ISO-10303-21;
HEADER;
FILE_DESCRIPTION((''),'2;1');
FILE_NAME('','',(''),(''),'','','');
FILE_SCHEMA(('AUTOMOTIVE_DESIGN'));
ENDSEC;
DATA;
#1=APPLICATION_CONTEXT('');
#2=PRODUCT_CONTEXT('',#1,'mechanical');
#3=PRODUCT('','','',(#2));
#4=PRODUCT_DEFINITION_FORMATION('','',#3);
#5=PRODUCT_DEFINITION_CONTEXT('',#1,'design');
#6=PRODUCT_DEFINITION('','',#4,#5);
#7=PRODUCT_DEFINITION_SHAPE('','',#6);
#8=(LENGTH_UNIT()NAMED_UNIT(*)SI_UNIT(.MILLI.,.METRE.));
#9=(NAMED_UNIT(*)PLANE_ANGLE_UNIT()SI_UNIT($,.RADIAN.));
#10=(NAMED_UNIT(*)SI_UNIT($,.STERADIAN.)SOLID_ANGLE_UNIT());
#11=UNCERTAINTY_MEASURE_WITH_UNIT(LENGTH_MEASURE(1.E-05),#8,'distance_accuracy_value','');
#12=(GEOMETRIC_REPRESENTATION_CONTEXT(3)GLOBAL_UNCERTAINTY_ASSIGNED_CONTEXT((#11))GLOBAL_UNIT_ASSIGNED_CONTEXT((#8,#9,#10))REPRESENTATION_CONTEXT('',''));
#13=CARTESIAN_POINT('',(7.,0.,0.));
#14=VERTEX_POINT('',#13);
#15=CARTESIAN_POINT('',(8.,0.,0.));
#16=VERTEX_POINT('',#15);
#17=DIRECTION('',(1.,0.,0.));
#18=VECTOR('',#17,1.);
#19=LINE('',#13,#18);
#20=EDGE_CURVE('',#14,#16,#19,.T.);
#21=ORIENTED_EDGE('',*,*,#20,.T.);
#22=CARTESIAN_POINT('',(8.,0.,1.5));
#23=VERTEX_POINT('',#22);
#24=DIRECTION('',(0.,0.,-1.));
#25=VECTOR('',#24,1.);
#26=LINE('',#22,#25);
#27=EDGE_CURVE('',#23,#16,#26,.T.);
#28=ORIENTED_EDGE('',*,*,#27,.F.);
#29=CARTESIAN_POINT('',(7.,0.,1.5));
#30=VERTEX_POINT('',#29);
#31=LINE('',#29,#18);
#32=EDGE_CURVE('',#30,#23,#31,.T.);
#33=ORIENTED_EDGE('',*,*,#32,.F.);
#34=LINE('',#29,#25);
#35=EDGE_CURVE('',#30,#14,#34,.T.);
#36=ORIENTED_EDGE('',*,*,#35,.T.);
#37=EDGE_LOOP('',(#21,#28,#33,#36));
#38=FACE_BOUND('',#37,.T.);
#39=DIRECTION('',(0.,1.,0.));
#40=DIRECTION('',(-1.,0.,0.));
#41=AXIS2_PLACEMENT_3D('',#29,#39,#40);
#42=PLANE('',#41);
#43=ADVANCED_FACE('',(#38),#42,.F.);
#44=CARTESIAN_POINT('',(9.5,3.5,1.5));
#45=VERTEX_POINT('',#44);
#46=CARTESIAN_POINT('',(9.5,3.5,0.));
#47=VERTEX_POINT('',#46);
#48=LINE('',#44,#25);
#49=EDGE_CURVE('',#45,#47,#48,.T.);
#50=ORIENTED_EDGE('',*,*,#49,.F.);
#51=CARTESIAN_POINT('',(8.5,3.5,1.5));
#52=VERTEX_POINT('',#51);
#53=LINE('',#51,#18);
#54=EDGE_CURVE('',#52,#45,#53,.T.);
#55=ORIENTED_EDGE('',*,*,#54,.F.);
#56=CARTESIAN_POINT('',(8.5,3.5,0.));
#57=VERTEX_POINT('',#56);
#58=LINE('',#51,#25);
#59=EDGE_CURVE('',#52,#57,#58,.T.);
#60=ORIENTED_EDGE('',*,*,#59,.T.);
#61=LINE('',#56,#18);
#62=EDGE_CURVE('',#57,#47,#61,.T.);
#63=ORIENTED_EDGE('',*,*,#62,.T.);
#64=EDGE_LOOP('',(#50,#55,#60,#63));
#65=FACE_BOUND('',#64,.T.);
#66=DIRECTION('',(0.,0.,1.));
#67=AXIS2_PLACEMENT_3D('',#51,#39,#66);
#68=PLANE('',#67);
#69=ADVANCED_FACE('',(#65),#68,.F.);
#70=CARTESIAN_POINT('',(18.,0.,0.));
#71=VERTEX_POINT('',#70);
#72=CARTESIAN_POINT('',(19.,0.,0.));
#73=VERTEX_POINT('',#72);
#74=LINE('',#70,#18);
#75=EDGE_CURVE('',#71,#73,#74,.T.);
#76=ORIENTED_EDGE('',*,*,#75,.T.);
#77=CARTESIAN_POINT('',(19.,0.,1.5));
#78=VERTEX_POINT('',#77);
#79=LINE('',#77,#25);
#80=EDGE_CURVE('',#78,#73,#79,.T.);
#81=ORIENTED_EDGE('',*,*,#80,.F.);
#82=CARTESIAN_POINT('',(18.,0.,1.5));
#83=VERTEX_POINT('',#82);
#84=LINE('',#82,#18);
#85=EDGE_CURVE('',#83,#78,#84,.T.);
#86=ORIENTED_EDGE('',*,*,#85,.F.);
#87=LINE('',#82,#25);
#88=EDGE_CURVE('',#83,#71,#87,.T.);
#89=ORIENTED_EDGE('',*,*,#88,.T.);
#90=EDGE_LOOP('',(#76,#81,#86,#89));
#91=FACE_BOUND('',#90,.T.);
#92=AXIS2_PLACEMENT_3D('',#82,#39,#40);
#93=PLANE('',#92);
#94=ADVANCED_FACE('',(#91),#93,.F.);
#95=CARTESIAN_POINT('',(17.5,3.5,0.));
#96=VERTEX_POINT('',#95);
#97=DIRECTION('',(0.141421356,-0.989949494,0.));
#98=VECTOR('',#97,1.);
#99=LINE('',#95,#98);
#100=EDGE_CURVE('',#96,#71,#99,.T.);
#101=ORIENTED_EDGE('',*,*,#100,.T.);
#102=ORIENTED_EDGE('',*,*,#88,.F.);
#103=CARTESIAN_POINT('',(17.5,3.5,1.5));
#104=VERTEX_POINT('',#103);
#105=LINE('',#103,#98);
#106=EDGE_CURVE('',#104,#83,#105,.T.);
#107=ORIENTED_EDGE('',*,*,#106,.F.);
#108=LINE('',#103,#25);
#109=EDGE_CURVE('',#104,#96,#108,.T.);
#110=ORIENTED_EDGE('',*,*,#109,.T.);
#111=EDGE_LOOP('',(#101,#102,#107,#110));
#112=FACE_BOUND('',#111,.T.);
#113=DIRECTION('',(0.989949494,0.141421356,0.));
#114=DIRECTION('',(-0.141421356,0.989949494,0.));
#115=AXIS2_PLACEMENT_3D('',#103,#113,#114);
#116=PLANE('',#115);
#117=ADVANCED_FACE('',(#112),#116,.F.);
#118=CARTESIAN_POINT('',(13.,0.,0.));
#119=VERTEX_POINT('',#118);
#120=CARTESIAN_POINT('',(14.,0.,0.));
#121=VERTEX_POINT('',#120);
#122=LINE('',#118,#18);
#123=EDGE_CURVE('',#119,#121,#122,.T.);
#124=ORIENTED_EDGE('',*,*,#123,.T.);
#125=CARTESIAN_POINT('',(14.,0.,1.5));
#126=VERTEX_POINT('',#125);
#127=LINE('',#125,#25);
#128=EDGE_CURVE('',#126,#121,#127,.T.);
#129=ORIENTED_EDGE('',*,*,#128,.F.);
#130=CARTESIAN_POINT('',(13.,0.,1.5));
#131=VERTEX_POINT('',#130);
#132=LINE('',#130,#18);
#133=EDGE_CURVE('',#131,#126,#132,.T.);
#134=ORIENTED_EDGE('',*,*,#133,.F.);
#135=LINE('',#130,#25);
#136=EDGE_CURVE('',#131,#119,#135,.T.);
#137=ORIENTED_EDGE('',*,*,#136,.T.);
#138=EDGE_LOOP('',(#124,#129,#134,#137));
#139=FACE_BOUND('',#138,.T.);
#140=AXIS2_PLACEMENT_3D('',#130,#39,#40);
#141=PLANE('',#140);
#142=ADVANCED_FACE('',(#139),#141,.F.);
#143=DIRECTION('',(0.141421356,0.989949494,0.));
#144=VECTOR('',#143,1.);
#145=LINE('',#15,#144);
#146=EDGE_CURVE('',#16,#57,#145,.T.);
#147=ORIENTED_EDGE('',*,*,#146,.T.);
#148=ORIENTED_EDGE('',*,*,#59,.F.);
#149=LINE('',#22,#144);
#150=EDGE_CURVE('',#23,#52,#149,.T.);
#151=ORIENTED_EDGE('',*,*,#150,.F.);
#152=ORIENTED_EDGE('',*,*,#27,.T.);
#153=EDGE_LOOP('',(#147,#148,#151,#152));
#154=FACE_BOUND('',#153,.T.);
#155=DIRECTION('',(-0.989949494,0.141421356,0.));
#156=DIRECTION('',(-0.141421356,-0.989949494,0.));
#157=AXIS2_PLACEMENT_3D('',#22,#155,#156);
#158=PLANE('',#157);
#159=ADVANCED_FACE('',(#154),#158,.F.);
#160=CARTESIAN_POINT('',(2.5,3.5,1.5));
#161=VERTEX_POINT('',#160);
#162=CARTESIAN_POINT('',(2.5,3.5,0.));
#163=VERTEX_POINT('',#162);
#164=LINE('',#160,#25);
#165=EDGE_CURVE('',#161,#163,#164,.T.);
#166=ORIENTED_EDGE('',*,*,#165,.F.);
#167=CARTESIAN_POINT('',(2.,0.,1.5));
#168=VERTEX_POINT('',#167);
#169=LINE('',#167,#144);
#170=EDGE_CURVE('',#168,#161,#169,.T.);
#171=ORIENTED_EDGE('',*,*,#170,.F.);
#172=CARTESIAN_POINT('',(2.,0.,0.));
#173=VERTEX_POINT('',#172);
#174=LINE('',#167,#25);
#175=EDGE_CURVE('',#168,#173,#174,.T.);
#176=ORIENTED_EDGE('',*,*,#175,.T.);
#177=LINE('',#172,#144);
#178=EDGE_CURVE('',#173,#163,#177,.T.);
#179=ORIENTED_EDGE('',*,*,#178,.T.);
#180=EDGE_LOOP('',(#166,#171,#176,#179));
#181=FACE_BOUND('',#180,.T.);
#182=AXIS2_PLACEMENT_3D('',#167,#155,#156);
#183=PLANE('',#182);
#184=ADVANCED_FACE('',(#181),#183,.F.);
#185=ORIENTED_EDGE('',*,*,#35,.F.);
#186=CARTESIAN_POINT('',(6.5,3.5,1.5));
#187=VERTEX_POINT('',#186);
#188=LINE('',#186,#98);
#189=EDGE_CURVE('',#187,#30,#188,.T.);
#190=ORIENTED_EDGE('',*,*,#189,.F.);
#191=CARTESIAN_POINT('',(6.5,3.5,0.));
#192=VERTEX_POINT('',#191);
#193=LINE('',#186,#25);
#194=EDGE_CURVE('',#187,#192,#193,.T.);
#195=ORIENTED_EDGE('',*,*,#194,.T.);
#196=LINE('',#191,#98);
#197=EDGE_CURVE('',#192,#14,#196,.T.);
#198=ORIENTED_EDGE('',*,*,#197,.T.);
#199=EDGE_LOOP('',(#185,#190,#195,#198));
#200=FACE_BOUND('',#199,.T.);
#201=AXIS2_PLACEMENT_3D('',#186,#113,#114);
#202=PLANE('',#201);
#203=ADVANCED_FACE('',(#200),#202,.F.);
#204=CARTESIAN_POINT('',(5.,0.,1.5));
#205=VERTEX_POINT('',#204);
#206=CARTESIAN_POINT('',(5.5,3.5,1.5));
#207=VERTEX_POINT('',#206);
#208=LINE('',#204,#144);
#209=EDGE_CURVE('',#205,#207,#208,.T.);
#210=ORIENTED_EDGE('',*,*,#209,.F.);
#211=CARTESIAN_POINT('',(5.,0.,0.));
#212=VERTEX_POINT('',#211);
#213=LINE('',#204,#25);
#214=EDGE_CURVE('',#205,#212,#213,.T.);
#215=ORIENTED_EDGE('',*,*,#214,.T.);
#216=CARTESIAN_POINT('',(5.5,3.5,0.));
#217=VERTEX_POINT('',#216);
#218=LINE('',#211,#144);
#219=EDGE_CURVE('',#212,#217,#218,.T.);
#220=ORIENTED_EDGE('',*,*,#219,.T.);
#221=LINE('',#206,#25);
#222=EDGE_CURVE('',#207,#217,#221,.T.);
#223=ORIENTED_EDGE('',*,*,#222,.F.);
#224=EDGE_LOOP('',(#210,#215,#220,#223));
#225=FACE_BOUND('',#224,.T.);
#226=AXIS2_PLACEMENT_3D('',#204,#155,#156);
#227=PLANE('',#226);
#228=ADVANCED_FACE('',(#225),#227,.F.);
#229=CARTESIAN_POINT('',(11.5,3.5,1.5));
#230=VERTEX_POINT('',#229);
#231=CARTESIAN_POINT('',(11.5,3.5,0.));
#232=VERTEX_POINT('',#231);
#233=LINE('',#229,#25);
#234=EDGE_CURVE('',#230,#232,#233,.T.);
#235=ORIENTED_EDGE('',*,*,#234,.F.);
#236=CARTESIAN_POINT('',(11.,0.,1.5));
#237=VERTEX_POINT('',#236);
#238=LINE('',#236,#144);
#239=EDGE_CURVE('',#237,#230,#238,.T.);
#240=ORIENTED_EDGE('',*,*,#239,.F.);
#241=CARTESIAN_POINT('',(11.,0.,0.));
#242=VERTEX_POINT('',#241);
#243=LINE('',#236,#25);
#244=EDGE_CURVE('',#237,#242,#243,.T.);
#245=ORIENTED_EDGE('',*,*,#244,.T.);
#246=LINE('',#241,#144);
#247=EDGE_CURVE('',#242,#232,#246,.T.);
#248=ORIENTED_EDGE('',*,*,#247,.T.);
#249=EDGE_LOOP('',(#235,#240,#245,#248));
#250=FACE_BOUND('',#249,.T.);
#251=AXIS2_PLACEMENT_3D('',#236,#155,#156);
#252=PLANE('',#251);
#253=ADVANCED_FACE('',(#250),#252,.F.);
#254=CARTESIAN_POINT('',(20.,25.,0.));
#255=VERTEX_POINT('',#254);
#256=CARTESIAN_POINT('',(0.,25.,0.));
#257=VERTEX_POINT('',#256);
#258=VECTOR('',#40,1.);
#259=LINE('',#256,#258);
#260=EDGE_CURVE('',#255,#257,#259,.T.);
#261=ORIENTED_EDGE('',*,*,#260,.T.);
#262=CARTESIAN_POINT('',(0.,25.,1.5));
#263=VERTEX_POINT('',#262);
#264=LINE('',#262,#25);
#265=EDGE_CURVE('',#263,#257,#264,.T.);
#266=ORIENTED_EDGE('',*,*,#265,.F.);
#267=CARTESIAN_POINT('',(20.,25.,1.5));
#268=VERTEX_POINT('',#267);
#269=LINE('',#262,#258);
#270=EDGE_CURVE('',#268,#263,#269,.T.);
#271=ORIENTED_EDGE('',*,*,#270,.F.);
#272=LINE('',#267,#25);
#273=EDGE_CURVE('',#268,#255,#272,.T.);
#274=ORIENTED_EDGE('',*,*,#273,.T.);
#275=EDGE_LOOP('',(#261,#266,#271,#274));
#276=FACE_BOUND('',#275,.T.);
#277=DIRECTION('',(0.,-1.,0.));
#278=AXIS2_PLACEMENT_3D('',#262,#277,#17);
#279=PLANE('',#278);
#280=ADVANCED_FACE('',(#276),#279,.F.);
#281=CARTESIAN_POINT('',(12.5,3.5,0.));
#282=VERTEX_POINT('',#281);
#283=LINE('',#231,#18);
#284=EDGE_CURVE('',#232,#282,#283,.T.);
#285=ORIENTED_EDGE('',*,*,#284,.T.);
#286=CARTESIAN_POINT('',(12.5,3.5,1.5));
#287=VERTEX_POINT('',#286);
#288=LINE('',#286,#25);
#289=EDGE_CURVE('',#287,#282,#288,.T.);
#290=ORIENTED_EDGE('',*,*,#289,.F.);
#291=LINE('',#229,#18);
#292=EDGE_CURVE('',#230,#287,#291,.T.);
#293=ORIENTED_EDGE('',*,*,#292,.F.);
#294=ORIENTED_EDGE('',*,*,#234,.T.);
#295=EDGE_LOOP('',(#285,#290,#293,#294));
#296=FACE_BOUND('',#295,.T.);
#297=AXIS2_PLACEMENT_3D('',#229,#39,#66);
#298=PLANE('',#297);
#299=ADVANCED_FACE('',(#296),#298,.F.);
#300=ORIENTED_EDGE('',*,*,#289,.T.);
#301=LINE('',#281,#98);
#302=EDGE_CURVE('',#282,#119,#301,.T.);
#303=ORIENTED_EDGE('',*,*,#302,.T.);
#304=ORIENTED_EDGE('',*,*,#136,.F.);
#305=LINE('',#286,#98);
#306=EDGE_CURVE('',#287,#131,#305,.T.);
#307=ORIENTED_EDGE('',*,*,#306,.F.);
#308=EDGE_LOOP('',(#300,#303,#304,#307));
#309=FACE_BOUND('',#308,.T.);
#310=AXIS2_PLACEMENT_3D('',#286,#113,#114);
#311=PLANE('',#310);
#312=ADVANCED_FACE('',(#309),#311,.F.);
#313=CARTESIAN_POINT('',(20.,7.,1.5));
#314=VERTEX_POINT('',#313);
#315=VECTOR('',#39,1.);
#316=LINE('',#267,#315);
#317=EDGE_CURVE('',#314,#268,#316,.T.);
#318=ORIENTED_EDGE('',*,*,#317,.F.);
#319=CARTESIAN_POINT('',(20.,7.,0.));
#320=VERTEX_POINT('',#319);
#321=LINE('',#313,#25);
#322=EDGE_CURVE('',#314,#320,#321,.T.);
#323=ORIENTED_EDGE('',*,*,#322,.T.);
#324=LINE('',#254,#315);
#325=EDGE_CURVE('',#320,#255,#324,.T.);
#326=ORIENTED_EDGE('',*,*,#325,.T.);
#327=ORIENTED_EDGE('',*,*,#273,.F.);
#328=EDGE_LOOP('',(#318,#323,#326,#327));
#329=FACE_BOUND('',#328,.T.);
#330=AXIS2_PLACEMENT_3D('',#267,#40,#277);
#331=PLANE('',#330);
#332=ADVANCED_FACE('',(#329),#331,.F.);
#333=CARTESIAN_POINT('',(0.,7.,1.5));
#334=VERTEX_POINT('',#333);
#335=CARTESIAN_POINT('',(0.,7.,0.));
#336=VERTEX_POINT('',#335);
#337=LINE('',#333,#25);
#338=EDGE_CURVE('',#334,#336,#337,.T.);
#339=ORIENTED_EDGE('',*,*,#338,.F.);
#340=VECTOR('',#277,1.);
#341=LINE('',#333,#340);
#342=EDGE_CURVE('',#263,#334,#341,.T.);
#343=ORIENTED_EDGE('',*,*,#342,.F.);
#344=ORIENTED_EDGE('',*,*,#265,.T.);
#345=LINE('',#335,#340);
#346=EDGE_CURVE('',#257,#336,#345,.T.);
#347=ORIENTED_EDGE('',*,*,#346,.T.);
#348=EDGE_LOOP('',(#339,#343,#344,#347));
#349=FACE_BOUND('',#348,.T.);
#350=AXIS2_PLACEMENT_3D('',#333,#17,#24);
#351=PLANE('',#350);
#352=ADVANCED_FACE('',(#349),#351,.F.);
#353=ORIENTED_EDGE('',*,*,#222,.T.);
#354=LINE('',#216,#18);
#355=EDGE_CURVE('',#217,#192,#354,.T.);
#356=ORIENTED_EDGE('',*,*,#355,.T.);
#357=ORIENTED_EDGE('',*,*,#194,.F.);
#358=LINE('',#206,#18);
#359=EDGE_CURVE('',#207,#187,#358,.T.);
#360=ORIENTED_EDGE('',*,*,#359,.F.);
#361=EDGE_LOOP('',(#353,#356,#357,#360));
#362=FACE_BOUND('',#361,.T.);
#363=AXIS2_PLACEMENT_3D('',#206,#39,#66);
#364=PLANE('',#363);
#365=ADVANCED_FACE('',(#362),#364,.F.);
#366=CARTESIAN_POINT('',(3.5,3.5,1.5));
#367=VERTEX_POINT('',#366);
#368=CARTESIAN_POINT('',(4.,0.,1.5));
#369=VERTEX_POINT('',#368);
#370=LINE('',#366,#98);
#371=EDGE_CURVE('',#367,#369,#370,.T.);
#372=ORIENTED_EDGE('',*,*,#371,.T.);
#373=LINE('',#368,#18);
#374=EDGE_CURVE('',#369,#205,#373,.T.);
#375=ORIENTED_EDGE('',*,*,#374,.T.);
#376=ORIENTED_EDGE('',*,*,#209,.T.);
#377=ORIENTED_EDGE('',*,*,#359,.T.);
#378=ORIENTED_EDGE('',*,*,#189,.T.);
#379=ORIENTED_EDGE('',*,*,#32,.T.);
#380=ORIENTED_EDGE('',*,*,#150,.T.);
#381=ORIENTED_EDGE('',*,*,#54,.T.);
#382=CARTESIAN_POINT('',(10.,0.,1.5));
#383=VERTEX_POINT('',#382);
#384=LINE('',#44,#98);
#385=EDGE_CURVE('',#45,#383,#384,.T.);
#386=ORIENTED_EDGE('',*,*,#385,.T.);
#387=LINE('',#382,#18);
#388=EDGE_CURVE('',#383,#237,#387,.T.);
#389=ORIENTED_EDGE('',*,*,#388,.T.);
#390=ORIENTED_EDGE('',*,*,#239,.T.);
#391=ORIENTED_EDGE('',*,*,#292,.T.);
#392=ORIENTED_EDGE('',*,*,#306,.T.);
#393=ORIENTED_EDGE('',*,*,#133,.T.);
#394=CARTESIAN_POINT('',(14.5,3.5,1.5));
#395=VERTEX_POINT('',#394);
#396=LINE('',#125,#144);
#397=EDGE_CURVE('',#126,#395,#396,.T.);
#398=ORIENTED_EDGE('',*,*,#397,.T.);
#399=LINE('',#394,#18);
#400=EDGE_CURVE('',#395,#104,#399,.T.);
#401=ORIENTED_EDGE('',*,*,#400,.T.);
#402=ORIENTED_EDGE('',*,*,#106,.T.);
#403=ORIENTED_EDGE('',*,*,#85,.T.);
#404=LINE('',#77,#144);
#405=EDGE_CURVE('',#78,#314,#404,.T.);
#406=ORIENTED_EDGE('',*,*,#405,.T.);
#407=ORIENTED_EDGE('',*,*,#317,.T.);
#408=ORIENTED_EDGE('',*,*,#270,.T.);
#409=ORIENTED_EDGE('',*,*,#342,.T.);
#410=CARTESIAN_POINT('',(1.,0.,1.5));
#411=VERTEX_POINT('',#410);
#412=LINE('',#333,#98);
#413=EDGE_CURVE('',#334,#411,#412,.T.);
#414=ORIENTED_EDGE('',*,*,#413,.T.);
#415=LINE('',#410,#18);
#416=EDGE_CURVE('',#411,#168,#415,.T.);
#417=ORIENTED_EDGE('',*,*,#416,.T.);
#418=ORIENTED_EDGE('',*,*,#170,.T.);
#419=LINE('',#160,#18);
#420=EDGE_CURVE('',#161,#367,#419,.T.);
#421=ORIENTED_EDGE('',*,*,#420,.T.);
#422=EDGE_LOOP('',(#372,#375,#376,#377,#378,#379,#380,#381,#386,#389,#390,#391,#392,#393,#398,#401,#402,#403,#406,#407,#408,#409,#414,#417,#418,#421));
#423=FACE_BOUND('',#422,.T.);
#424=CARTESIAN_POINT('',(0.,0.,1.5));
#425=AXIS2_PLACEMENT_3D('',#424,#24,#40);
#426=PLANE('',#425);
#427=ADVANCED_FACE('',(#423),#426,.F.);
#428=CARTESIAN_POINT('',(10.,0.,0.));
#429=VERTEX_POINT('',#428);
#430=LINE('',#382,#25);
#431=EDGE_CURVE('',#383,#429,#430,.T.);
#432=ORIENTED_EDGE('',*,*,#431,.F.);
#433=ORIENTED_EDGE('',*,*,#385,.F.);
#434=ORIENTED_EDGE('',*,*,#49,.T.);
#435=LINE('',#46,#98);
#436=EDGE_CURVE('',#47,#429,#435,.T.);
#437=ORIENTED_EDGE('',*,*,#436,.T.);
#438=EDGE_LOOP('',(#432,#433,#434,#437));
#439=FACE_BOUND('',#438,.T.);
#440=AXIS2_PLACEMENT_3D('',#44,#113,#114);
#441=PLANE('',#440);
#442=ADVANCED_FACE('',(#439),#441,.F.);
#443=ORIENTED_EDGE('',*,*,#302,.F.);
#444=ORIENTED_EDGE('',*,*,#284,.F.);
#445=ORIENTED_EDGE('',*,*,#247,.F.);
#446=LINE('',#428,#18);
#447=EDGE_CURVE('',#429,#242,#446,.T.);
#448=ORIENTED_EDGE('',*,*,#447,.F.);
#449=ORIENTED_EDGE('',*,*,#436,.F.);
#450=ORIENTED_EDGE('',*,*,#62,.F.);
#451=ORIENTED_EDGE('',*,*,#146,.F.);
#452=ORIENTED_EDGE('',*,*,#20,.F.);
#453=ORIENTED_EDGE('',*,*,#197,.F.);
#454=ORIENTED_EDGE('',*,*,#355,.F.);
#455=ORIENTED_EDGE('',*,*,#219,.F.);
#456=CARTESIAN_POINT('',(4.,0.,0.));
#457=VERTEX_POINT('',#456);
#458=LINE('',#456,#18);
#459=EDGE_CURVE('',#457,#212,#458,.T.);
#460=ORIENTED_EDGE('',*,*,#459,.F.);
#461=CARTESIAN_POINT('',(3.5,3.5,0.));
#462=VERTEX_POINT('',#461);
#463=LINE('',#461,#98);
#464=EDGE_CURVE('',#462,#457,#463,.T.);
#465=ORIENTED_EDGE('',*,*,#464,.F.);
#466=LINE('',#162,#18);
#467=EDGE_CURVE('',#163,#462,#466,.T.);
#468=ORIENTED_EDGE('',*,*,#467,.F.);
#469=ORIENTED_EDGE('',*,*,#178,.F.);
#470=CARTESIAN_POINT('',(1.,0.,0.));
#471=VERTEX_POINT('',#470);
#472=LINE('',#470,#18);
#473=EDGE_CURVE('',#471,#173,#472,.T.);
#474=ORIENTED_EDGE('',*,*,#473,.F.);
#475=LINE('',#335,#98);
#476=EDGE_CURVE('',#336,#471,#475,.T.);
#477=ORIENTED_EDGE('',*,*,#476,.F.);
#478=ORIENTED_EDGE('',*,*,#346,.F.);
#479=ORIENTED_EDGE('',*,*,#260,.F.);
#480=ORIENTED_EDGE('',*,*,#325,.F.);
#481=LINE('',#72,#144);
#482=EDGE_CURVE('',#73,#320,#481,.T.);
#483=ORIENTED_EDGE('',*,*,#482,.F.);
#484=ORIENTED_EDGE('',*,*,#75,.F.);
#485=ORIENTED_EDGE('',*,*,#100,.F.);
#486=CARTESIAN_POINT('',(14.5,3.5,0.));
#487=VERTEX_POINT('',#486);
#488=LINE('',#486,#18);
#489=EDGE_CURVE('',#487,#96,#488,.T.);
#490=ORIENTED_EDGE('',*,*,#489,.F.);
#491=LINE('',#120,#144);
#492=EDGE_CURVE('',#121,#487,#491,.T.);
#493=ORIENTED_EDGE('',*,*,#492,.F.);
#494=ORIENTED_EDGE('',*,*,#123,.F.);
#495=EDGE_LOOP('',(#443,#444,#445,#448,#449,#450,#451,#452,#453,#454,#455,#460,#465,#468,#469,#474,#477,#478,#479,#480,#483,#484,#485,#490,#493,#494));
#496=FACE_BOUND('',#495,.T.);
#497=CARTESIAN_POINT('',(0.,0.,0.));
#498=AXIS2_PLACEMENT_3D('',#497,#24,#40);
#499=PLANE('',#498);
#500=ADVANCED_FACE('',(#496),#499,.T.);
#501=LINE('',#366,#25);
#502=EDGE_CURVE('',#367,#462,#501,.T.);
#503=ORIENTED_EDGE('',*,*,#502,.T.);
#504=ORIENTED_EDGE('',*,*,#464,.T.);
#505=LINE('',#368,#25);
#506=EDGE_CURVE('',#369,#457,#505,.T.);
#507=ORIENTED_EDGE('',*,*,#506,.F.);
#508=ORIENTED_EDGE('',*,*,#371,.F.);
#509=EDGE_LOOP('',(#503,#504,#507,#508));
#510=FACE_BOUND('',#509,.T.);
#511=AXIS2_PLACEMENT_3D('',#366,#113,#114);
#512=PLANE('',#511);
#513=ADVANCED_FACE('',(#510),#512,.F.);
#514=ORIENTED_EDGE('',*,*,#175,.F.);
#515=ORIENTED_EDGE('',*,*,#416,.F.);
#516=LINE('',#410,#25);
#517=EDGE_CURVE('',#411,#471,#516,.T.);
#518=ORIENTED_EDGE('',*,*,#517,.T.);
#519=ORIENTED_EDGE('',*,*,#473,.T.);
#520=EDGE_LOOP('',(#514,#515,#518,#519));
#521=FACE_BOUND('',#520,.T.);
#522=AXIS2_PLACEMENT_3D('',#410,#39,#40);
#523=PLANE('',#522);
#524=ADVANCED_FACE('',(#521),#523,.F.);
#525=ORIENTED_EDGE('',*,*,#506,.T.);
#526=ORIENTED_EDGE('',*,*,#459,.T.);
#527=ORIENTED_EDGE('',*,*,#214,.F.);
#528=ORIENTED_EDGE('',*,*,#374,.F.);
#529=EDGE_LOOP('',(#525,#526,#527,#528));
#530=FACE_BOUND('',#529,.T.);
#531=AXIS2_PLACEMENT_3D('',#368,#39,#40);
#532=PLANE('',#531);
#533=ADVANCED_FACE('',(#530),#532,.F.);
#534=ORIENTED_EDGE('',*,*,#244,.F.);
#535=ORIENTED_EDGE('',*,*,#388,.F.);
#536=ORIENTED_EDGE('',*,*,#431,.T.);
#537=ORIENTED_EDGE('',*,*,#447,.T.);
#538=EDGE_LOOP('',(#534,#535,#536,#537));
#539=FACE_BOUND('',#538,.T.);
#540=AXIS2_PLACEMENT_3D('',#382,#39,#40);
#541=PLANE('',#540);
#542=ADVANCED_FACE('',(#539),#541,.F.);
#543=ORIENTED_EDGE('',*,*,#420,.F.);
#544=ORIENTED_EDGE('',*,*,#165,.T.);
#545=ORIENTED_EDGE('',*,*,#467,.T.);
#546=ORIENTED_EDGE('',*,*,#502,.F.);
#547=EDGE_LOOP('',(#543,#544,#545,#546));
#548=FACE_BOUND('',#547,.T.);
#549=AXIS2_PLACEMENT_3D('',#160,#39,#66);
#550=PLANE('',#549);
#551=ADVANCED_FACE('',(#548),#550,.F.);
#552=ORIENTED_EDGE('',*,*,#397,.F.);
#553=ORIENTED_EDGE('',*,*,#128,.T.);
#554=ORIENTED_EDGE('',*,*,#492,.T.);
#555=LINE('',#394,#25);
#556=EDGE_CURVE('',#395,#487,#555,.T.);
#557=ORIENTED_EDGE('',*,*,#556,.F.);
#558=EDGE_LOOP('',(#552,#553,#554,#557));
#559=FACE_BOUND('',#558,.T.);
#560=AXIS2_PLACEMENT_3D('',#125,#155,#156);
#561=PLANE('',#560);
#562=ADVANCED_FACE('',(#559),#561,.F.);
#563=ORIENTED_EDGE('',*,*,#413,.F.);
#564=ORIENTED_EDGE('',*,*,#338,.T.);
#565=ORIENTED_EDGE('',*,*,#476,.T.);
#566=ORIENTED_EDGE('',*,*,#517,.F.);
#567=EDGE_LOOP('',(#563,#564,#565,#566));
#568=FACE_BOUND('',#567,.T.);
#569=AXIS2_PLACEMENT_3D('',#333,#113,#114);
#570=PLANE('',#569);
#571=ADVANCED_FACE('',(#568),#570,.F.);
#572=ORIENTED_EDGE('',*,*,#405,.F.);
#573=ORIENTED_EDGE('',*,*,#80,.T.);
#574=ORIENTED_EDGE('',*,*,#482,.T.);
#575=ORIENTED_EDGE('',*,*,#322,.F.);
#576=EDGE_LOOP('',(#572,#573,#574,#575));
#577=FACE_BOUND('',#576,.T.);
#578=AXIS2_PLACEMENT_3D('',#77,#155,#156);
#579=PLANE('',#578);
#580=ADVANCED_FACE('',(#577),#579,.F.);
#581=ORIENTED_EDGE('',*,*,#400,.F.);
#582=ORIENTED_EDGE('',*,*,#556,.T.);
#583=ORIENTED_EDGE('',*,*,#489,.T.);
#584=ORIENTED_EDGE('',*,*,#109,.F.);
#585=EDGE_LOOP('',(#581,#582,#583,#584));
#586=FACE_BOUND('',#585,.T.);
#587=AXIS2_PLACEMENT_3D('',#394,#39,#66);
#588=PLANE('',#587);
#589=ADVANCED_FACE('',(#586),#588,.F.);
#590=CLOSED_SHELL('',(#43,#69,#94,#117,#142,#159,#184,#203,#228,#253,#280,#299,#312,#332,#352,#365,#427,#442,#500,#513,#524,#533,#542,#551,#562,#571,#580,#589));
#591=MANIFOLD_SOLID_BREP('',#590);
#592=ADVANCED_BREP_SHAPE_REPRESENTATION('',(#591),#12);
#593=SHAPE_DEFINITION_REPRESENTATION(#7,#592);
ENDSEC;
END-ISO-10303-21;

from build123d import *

# Parameters (mm, degrees)
BOSS_EXTRUDE1_DEPTH = 1.5


with BuildPart() as part:
    # Sketch1 → Boss-Extrude1 (new body)
    with BuildSketch(Plane.XY):
        Polygon((0, 7), (1, 0), (2, 0), (2.5, 3.5), (3.5, 3.5), (4, 0), (5, 0), (5.5, 3.5), (6.5, 3.5), (7, 0), (8, 0), (8.5, 3.5), (9.5, 3.5), (10, 0), (11, 0), (11.5, 3.5), (12.5, 3.5), (13, 0), (14, 0), (14.5, 3.5), (17.5, 3.5), (18, 0), (19, 0), (20, 7), (20, 25), (0, 25), align=None)
    extrude(amount=BOSS_EXTRUDE1_DEPTH)


solid = part.part
